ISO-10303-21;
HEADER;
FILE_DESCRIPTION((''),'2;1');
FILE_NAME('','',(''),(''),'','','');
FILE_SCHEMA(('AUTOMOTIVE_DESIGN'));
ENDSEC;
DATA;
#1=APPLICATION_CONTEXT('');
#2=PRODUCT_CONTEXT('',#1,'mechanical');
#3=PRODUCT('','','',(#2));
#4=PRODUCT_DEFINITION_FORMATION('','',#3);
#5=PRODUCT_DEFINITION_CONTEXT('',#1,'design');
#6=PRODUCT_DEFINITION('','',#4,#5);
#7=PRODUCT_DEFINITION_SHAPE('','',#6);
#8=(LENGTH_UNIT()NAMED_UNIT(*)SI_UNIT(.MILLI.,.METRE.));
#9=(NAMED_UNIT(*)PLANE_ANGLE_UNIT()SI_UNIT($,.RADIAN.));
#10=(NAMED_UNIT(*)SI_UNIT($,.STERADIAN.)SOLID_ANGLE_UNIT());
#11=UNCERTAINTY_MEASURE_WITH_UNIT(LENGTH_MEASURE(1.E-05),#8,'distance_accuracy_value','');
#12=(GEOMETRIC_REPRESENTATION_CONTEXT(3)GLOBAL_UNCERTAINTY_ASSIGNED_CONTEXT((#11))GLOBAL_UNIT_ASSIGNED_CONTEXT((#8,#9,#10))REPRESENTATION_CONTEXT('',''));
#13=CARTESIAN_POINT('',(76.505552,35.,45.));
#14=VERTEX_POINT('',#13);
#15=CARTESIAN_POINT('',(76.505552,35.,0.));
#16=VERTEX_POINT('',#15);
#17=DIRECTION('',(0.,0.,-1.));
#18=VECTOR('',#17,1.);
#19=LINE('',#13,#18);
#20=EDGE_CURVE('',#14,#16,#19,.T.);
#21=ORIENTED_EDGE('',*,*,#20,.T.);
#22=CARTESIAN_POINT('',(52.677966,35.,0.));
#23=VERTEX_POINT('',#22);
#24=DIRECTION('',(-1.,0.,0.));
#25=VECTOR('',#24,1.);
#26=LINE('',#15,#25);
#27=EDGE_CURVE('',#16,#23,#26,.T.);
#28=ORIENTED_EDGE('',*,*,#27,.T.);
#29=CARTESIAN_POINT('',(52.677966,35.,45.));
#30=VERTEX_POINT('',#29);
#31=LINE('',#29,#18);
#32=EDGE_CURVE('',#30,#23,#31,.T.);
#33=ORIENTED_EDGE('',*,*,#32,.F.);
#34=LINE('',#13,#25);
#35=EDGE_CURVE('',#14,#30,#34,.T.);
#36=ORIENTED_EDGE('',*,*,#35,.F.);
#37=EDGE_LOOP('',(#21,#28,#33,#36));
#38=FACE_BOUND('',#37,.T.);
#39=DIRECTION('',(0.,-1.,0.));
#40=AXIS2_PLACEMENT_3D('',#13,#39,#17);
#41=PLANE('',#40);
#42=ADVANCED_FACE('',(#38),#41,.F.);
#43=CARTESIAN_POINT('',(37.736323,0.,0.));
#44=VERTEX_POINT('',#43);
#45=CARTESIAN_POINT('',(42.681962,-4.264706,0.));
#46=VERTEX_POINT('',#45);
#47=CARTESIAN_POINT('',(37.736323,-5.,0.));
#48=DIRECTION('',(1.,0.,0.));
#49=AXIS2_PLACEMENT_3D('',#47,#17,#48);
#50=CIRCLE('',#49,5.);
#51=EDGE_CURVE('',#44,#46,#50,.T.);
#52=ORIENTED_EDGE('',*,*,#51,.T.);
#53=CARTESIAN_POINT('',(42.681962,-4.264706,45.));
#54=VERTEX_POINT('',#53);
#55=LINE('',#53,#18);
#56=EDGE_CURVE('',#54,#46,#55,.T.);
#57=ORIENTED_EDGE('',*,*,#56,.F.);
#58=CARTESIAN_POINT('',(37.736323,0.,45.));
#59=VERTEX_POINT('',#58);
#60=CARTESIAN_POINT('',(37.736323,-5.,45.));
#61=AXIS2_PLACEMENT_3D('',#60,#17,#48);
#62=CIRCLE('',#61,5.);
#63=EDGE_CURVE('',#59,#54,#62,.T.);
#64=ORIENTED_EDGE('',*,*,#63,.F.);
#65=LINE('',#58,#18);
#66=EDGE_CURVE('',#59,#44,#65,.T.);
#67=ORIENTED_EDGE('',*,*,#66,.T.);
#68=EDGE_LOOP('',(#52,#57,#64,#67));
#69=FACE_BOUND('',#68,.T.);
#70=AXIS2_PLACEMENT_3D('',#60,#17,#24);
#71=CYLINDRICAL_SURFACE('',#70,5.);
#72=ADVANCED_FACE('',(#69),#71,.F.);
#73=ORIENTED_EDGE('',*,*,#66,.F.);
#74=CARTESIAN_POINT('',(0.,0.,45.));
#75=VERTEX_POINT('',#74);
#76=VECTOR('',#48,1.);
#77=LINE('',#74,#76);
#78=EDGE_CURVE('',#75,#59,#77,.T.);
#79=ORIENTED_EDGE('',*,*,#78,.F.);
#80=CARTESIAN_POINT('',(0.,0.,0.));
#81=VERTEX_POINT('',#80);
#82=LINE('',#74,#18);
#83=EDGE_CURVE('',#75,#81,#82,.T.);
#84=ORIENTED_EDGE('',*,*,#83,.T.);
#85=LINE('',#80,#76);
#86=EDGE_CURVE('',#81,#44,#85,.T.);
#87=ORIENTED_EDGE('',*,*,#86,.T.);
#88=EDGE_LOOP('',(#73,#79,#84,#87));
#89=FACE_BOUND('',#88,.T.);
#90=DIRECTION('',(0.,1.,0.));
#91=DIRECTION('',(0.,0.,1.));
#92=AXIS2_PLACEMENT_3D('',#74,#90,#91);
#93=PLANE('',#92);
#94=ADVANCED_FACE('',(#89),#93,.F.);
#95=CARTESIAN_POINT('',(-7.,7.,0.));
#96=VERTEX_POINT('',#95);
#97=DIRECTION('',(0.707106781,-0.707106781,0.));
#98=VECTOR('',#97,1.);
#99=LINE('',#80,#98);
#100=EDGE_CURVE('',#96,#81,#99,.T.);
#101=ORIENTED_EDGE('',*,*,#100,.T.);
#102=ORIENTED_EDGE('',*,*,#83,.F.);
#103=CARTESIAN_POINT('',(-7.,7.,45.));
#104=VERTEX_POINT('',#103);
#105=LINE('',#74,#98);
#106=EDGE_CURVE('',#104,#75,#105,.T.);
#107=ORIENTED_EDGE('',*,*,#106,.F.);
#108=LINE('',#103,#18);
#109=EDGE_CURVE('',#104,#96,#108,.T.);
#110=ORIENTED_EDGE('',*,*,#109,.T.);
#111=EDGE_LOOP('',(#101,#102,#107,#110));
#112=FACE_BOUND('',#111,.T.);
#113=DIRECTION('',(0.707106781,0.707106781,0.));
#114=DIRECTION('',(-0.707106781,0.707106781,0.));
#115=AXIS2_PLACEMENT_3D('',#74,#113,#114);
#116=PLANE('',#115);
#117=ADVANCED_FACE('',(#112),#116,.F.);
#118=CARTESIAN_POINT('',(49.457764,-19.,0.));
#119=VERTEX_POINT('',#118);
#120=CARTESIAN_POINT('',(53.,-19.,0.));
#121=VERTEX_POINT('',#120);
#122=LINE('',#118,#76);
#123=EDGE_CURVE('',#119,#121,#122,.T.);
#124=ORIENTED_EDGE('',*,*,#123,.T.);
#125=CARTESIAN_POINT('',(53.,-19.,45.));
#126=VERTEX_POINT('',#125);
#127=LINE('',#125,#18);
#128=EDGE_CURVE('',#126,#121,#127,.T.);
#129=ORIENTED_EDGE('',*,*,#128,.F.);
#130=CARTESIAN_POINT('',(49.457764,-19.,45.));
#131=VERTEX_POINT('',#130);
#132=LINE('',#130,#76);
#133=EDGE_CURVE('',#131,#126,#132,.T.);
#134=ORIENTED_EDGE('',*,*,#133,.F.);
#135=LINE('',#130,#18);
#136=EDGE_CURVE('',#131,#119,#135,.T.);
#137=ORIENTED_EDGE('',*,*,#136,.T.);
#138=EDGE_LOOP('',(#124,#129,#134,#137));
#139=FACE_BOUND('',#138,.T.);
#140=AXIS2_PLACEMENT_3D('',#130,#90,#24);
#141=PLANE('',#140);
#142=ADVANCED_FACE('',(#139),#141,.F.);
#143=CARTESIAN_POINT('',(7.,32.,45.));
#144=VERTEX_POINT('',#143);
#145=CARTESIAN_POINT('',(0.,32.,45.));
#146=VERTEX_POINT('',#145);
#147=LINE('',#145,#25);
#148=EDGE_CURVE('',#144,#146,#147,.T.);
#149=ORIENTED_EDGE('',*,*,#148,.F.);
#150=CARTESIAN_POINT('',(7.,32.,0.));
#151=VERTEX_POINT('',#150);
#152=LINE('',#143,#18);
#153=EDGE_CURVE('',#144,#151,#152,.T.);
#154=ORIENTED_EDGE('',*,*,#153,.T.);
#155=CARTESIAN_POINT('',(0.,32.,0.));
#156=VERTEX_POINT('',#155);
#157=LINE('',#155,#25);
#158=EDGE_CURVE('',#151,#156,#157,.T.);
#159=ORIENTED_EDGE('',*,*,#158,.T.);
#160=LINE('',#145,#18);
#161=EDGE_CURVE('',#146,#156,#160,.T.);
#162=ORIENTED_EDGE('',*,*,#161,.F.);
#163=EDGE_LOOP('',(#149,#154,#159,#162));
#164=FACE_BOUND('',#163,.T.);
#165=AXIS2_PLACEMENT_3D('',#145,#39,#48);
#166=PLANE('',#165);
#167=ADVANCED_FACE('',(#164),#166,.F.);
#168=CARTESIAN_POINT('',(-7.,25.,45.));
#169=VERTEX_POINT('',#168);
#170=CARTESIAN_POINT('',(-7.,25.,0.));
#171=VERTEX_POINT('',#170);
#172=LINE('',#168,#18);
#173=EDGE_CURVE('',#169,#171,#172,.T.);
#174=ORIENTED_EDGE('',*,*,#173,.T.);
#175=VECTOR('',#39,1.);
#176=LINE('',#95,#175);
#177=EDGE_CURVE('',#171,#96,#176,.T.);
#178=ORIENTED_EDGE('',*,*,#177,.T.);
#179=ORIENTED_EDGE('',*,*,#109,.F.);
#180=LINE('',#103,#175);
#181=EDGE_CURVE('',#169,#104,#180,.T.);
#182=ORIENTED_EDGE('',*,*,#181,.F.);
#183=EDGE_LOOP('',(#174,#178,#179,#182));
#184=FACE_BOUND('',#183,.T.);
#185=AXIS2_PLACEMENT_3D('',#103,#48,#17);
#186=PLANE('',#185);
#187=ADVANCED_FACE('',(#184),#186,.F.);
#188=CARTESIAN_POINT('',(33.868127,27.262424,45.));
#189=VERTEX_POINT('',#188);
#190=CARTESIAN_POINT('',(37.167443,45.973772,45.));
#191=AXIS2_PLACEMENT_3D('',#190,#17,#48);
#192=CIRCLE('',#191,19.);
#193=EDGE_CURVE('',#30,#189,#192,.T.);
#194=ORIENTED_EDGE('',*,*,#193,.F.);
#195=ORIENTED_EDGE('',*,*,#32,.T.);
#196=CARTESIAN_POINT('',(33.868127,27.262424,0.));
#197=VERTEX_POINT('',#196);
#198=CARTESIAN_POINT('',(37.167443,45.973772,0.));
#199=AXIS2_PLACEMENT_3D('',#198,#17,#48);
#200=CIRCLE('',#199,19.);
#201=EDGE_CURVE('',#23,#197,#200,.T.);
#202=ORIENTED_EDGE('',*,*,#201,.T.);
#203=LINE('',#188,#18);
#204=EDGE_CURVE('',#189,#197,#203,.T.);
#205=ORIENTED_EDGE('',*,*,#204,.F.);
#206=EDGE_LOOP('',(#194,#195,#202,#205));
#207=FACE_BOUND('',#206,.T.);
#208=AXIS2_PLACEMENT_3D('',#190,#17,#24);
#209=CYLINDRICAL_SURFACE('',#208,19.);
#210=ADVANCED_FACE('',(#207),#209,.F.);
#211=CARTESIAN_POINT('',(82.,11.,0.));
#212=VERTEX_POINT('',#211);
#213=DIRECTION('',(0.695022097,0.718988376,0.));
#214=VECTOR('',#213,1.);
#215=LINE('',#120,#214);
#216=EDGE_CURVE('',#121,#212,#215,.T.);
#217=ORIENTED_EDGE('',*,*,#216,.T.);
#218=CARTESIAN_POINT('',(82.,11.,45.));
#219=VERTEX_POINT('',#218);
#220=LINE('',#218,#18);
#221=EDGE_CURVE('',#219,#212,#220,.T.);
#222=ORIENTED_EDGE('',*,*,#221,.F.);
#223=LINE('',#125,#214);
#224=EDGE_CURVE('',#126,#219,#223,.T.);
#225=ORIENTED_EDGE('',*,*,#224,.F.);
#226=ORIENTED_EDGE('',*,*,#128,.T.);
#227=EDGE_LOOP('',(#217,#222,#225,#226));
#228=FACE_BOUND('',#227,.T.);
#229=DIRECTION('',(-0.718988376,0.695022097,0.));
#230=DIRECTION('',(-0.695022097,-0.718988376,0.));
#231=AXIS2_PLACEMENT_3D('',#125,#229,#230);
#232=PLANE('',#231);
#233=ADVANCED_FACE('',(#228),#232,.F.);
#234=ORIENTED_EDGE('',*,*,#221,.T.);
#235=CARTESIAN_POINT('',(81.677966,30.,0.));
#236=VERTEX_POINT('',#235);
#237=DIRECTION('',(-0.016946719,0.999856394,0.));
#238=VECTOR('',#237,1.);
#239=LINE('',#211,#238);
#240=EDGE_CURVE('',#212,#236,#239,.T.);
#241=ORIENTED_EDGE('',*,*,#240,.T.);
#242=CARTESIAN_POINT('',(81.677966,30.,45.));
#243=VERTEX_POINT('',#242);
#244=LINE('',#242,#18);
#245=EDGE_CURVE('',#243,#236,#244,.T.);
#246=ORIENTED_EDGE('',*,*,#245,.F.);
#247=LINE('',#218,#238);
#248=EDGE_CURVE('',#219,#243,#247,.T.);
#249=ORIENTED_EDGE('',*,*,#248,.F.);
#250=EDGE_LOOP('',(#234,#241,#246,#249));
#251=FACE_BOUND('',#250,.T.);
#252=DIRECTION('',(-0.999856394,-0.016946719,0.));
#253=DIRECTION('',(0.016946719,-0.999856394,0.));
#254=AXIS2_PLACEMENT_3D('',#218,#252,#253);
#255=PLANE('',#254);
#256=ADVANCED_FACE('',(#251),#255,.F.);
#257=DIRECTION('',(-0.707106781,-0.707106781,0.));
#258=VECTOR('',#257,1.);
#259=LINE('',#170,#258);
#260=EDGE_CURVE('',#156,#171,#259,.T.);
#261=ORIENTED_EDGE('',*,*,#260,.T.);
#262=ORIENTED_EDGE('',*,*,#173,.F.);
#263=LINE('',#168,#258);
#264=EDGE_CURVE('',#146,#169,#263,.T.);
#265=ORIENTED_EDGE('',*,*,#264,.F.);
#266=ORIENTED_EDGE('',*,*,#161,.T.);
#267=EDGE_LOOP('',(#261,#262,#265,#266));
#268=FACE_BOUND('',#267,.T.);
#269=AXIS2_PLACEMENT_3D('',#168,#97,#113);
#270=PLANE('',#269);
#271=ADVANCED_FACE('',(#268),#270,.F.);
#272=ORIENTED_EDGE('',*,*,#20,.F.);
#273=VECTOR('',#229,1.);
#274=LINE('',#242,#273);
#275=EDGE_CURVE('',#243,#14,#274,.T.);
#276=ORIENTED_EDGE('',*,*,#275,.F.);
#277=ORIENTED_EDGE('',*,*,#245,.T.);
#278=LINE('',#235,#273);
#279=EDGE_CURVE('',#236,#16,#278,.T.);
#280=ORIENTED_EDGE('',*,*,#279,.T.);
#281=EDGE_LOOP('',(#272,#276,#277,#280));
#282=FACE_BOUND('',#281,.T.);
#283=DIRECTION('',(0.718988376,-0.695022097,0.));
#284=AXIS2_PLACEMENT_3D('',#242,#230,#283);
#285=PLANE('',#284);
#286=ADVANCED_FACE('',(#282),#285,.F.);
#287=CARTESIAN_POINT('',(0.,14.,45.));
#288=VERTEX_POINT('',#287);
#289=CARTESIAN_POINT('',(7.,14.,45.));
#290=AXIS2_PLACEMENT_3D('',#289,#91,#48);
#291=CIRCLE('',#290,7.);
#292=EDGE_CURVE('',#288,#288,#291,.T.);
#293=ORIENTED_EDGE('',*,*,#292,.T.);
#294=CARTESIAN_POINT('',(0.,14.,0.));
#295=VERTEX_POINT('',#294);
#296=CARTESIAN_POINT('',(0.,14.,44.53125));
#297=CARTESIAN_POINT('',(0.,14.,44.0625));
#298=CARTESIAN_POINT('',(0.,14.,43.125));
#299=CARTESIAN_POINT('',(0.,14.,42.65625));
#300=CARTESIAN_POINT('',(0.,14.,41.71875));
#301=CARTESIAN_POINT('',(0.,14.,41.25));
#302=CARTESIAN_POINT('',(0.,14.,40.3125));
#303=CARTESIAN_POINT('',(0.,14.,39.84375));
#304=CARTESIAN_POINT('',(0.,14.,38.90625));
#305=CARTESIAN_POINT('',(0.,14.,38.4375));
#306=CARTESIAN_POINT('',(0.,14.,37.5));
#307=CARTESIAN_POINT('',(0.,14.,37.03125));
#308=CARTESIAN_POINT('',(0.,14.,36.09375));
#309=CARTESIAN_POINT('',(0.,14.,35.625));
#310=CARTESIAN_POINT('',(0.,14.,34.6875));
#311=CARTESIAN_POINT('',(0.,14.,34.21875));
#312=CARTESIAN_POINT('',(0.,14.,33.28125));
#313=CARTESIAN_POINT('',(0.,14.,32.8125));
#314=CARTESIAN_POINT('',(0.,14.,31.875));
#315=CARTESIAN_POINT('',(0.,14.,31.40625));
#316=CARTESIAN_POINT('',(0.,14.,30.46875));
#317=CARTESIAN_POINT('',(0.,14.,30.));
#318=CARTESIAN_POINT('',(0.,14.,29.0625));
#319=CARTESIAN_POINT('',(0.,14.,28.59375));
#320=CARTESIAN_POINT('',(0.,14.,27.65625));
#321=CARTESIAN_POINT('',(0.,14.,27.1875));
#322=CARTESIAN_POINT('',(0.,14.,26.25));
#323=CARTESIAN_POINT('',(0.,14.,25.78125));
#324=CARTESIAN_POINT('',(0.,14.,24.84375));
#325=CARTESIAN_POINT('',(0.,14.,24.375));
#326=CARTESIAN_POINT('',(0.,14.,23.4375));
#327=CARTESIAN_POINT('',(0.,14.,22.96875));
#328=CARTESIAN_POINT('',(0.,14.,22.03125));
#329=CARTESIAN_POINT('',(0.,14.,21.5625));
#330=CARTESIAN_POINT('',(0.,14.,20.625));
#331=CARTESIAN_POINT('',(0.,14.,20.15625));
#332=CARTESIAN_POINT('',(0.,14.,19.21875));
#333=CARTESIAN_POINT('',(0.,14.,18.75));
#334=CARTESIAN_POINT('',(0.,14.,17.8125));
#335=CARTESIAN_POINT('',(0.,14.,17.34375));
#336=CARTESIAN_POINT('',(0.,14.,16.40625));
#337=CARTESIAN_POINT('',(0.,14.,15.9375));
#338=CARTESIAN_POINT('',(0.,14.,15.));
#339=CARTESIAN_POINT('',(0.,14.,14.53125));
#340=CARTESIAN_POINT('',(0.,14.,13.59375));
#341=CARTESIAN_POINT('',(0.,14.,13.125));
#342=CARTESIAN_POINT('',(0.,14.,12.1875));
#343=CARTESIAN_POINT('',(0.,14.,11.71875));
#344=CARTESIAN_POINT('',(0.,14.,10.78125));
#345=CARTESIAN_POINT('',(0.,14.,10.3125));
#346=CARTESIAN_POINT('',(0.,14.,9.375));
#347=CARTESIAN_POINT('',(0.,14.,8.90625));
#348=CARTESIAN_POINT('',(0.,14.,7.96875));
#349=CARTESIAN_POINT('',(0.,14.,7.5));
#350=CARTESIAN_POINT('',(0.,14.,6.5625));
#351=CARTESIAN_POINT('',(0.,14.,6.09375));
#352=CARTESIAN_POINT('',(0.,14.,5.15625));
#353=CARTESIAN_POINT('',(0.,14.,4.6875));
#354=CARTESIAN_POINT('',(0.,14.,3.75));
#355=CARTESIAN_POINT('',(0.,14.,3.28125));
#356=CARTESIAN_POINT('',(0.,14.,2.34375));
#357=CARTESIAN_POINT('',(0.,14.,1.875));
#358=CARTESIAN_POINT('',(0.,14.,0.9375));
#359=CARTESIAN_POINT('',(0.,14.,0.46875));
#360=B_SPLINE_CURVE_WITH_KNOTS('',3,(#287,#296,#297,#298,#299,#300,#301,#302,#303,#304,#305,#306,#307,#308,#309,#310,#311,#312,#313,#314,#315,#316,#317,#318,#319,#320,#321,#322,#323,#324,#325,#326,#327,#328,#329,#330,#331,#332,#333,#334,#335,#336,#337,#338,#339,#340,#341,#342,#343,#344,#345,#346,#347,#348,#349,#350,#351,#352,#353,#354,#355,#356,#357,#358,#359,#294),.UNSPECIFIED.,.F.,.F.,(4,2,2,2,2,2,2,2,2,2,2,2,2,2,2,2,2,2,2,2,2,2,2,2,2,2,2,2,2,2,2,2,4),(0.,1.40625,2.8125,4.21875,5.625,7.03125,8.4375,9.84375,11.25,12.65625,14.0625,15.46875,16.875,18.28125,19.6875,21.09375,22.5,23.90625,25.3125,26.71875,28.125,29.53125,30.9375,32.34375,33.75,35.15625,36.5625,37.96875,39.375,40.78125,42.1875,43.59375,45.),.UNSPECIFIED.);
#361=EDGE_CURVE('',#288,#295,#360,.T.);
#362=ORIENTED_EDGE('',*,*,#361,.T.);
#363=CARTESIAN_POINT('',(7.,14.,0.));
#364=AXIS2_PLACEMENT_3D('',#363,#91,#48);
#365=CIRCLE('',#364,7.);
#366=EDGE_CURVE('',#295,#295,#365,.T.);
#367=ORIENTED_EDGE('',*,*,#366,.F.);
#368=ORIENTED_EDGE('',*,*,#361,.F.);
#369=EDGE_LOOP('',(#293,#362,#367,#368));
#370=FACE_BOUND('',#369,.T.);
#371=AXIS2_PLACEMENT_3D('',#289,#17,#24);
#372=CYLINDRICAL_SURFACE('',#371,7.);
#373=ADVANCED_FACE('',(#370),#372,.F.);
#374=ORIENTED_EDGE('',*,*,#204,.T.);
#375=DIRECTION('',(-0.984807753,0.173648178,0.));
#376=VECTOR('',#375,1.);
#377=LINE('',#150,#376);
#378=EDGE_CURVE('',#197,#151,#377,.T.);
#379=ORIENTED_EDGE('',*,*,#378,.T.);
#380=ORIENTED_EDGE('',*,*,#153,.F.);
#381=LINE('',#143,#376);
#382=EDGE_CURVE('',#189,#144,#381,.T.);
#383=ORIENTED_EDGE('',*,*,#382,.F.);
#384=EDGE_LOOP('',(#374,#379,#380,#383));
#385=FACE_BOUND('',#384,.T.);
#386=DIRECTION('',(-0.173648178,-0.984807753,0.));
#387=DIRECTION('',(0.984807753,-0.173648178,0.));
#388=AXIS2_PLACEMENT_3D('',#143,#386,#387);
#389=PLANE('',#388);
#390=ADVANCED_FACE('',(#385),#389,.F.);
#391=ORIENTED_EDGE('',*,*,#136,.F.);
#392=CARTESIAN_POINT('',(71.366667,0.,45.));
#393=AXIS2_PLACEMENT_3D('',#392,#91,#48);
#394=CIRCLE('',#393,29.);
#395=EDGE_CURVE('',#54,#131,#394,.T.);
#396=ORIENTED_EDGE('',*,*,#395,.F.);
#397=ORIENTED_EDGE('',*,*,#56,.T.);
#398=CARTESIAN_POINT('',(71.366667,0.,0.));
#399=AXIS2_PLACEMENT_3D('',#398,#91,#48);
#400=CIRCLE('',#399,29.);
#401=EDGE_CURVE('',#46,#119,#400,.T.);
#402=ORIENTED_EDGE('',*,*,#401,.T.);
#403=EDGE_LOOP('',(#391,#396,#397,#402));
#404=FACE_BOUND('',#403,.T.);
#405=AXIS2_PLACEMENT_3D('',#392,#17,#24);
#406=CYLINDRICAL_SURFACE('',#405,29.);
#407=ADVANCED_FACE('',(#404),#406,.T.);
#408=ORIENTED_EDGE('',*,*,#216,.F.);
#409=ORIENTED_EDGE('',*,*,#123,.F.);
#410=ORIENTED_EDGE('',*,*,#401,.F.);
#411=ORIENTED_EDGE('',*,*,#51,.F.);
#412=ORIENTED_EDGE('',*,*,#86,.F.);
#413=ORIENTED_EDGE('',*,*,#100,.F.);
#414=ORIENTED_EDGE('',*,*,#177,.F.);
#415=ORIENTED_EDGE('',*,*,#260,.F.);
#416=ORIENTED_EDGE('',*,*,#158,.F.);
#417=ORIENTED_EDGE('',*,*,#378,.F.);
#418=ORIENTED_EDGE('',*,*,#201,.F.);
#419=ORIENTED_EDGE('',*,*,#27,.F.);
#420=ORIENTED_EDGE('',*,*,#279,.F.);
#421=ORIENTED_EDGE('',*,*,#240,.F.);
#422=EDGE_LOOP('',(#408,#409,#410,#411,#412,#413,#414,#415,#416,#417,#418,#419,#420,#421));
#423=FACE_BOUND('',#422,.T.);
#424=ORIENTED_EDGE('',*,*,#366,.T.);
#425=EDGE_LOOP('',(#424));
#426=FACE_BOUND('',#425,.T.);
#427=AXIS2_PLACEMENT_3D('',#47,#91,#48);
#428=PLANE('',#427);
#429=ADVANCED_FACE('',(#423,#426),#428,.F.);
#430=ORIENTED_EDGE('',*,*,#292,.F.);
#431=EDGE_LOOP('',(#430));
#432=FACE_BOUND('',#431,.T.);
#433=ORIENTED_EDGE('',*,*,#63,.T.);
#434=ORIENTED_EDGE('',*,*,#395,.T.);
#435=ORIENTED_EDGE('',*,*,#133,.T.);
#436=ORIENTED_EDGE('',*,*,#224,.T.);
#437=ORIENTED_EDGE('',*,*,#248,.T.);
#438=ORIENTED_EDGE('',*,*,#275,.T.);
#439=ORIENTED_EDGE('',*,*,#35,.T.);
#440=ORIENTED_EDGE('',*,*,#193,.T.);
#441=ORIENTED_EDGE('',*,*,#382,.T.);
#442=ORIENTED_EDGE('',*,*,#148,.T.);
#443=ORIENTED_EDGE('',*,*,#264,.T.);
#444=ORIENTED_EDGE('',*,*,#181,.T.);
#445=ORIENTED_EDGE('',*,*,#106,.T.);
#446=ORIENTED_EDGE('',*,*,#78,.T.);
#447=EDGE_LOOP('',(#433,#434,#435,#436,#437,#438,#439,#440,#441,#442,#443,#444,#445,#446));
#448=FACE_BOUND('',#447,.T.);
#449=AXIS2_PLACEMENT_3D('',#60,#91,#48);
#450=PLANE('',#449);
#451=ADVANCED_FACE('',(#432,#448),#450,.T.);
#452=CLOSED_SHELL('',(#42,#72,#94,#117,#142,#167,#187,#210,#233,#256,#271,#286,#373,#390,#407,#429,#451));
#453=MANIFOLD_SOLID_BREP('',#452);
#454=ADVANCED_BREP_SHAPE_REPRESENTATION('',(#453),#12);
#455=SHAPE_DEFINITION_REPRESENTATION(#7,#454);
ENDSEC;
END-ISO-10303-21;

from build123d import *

# Parameters (mm, degrees)
SKETCH1_R           = 7
BOSS_EXTRUDE1_DEPTH = 45


with BuildPart() as part:
    # Sketch1 → Boss-Extrude1 (new body)
    with BuildSketch(Plane.XY):
        with BuildLine():
            Line((0, 0), (-7, 7))
            Line((-7, 7), (-7, 25))
            Line((-7, 25), (0, 32))
            Line((0, 32), (7, 32))
            Line((7, 32), (33.868127266, 27.262424242))
            ThreePointArc((33.868127266, 27.262424242), (44.39557659, 28.402372071), (52.677966102, 35))
            Line((52.677966102, 35), (76.505552309, 35))
            Line((76.505552309, 35), (81.677966102, 30))
            Line((81.677966102, 30), (82, 11))
            Line((82, 11), (53, -19))
            Line((53, -19), (49.457764366, -19))
            ThreePointArc((49.457764366, -19), (45.01879217, -12.115672061), (42.681961966, -4.264705882))
            ThreePointArc((42.681961966, -4.264705882), (41.001559006, -1.213413768), (37.736323225, 0))
            Line((37.736323225, 0), (0, 0))
        make_face()
        with Locations(Location((7, 14, 0), (0, 0, 180))):
            Circle(SKETCH1_R, mode=Mode.SUBTRACT)
    extrude(amount=BOSS_EXTRUDE1_DEPTH)


solid = part.part
